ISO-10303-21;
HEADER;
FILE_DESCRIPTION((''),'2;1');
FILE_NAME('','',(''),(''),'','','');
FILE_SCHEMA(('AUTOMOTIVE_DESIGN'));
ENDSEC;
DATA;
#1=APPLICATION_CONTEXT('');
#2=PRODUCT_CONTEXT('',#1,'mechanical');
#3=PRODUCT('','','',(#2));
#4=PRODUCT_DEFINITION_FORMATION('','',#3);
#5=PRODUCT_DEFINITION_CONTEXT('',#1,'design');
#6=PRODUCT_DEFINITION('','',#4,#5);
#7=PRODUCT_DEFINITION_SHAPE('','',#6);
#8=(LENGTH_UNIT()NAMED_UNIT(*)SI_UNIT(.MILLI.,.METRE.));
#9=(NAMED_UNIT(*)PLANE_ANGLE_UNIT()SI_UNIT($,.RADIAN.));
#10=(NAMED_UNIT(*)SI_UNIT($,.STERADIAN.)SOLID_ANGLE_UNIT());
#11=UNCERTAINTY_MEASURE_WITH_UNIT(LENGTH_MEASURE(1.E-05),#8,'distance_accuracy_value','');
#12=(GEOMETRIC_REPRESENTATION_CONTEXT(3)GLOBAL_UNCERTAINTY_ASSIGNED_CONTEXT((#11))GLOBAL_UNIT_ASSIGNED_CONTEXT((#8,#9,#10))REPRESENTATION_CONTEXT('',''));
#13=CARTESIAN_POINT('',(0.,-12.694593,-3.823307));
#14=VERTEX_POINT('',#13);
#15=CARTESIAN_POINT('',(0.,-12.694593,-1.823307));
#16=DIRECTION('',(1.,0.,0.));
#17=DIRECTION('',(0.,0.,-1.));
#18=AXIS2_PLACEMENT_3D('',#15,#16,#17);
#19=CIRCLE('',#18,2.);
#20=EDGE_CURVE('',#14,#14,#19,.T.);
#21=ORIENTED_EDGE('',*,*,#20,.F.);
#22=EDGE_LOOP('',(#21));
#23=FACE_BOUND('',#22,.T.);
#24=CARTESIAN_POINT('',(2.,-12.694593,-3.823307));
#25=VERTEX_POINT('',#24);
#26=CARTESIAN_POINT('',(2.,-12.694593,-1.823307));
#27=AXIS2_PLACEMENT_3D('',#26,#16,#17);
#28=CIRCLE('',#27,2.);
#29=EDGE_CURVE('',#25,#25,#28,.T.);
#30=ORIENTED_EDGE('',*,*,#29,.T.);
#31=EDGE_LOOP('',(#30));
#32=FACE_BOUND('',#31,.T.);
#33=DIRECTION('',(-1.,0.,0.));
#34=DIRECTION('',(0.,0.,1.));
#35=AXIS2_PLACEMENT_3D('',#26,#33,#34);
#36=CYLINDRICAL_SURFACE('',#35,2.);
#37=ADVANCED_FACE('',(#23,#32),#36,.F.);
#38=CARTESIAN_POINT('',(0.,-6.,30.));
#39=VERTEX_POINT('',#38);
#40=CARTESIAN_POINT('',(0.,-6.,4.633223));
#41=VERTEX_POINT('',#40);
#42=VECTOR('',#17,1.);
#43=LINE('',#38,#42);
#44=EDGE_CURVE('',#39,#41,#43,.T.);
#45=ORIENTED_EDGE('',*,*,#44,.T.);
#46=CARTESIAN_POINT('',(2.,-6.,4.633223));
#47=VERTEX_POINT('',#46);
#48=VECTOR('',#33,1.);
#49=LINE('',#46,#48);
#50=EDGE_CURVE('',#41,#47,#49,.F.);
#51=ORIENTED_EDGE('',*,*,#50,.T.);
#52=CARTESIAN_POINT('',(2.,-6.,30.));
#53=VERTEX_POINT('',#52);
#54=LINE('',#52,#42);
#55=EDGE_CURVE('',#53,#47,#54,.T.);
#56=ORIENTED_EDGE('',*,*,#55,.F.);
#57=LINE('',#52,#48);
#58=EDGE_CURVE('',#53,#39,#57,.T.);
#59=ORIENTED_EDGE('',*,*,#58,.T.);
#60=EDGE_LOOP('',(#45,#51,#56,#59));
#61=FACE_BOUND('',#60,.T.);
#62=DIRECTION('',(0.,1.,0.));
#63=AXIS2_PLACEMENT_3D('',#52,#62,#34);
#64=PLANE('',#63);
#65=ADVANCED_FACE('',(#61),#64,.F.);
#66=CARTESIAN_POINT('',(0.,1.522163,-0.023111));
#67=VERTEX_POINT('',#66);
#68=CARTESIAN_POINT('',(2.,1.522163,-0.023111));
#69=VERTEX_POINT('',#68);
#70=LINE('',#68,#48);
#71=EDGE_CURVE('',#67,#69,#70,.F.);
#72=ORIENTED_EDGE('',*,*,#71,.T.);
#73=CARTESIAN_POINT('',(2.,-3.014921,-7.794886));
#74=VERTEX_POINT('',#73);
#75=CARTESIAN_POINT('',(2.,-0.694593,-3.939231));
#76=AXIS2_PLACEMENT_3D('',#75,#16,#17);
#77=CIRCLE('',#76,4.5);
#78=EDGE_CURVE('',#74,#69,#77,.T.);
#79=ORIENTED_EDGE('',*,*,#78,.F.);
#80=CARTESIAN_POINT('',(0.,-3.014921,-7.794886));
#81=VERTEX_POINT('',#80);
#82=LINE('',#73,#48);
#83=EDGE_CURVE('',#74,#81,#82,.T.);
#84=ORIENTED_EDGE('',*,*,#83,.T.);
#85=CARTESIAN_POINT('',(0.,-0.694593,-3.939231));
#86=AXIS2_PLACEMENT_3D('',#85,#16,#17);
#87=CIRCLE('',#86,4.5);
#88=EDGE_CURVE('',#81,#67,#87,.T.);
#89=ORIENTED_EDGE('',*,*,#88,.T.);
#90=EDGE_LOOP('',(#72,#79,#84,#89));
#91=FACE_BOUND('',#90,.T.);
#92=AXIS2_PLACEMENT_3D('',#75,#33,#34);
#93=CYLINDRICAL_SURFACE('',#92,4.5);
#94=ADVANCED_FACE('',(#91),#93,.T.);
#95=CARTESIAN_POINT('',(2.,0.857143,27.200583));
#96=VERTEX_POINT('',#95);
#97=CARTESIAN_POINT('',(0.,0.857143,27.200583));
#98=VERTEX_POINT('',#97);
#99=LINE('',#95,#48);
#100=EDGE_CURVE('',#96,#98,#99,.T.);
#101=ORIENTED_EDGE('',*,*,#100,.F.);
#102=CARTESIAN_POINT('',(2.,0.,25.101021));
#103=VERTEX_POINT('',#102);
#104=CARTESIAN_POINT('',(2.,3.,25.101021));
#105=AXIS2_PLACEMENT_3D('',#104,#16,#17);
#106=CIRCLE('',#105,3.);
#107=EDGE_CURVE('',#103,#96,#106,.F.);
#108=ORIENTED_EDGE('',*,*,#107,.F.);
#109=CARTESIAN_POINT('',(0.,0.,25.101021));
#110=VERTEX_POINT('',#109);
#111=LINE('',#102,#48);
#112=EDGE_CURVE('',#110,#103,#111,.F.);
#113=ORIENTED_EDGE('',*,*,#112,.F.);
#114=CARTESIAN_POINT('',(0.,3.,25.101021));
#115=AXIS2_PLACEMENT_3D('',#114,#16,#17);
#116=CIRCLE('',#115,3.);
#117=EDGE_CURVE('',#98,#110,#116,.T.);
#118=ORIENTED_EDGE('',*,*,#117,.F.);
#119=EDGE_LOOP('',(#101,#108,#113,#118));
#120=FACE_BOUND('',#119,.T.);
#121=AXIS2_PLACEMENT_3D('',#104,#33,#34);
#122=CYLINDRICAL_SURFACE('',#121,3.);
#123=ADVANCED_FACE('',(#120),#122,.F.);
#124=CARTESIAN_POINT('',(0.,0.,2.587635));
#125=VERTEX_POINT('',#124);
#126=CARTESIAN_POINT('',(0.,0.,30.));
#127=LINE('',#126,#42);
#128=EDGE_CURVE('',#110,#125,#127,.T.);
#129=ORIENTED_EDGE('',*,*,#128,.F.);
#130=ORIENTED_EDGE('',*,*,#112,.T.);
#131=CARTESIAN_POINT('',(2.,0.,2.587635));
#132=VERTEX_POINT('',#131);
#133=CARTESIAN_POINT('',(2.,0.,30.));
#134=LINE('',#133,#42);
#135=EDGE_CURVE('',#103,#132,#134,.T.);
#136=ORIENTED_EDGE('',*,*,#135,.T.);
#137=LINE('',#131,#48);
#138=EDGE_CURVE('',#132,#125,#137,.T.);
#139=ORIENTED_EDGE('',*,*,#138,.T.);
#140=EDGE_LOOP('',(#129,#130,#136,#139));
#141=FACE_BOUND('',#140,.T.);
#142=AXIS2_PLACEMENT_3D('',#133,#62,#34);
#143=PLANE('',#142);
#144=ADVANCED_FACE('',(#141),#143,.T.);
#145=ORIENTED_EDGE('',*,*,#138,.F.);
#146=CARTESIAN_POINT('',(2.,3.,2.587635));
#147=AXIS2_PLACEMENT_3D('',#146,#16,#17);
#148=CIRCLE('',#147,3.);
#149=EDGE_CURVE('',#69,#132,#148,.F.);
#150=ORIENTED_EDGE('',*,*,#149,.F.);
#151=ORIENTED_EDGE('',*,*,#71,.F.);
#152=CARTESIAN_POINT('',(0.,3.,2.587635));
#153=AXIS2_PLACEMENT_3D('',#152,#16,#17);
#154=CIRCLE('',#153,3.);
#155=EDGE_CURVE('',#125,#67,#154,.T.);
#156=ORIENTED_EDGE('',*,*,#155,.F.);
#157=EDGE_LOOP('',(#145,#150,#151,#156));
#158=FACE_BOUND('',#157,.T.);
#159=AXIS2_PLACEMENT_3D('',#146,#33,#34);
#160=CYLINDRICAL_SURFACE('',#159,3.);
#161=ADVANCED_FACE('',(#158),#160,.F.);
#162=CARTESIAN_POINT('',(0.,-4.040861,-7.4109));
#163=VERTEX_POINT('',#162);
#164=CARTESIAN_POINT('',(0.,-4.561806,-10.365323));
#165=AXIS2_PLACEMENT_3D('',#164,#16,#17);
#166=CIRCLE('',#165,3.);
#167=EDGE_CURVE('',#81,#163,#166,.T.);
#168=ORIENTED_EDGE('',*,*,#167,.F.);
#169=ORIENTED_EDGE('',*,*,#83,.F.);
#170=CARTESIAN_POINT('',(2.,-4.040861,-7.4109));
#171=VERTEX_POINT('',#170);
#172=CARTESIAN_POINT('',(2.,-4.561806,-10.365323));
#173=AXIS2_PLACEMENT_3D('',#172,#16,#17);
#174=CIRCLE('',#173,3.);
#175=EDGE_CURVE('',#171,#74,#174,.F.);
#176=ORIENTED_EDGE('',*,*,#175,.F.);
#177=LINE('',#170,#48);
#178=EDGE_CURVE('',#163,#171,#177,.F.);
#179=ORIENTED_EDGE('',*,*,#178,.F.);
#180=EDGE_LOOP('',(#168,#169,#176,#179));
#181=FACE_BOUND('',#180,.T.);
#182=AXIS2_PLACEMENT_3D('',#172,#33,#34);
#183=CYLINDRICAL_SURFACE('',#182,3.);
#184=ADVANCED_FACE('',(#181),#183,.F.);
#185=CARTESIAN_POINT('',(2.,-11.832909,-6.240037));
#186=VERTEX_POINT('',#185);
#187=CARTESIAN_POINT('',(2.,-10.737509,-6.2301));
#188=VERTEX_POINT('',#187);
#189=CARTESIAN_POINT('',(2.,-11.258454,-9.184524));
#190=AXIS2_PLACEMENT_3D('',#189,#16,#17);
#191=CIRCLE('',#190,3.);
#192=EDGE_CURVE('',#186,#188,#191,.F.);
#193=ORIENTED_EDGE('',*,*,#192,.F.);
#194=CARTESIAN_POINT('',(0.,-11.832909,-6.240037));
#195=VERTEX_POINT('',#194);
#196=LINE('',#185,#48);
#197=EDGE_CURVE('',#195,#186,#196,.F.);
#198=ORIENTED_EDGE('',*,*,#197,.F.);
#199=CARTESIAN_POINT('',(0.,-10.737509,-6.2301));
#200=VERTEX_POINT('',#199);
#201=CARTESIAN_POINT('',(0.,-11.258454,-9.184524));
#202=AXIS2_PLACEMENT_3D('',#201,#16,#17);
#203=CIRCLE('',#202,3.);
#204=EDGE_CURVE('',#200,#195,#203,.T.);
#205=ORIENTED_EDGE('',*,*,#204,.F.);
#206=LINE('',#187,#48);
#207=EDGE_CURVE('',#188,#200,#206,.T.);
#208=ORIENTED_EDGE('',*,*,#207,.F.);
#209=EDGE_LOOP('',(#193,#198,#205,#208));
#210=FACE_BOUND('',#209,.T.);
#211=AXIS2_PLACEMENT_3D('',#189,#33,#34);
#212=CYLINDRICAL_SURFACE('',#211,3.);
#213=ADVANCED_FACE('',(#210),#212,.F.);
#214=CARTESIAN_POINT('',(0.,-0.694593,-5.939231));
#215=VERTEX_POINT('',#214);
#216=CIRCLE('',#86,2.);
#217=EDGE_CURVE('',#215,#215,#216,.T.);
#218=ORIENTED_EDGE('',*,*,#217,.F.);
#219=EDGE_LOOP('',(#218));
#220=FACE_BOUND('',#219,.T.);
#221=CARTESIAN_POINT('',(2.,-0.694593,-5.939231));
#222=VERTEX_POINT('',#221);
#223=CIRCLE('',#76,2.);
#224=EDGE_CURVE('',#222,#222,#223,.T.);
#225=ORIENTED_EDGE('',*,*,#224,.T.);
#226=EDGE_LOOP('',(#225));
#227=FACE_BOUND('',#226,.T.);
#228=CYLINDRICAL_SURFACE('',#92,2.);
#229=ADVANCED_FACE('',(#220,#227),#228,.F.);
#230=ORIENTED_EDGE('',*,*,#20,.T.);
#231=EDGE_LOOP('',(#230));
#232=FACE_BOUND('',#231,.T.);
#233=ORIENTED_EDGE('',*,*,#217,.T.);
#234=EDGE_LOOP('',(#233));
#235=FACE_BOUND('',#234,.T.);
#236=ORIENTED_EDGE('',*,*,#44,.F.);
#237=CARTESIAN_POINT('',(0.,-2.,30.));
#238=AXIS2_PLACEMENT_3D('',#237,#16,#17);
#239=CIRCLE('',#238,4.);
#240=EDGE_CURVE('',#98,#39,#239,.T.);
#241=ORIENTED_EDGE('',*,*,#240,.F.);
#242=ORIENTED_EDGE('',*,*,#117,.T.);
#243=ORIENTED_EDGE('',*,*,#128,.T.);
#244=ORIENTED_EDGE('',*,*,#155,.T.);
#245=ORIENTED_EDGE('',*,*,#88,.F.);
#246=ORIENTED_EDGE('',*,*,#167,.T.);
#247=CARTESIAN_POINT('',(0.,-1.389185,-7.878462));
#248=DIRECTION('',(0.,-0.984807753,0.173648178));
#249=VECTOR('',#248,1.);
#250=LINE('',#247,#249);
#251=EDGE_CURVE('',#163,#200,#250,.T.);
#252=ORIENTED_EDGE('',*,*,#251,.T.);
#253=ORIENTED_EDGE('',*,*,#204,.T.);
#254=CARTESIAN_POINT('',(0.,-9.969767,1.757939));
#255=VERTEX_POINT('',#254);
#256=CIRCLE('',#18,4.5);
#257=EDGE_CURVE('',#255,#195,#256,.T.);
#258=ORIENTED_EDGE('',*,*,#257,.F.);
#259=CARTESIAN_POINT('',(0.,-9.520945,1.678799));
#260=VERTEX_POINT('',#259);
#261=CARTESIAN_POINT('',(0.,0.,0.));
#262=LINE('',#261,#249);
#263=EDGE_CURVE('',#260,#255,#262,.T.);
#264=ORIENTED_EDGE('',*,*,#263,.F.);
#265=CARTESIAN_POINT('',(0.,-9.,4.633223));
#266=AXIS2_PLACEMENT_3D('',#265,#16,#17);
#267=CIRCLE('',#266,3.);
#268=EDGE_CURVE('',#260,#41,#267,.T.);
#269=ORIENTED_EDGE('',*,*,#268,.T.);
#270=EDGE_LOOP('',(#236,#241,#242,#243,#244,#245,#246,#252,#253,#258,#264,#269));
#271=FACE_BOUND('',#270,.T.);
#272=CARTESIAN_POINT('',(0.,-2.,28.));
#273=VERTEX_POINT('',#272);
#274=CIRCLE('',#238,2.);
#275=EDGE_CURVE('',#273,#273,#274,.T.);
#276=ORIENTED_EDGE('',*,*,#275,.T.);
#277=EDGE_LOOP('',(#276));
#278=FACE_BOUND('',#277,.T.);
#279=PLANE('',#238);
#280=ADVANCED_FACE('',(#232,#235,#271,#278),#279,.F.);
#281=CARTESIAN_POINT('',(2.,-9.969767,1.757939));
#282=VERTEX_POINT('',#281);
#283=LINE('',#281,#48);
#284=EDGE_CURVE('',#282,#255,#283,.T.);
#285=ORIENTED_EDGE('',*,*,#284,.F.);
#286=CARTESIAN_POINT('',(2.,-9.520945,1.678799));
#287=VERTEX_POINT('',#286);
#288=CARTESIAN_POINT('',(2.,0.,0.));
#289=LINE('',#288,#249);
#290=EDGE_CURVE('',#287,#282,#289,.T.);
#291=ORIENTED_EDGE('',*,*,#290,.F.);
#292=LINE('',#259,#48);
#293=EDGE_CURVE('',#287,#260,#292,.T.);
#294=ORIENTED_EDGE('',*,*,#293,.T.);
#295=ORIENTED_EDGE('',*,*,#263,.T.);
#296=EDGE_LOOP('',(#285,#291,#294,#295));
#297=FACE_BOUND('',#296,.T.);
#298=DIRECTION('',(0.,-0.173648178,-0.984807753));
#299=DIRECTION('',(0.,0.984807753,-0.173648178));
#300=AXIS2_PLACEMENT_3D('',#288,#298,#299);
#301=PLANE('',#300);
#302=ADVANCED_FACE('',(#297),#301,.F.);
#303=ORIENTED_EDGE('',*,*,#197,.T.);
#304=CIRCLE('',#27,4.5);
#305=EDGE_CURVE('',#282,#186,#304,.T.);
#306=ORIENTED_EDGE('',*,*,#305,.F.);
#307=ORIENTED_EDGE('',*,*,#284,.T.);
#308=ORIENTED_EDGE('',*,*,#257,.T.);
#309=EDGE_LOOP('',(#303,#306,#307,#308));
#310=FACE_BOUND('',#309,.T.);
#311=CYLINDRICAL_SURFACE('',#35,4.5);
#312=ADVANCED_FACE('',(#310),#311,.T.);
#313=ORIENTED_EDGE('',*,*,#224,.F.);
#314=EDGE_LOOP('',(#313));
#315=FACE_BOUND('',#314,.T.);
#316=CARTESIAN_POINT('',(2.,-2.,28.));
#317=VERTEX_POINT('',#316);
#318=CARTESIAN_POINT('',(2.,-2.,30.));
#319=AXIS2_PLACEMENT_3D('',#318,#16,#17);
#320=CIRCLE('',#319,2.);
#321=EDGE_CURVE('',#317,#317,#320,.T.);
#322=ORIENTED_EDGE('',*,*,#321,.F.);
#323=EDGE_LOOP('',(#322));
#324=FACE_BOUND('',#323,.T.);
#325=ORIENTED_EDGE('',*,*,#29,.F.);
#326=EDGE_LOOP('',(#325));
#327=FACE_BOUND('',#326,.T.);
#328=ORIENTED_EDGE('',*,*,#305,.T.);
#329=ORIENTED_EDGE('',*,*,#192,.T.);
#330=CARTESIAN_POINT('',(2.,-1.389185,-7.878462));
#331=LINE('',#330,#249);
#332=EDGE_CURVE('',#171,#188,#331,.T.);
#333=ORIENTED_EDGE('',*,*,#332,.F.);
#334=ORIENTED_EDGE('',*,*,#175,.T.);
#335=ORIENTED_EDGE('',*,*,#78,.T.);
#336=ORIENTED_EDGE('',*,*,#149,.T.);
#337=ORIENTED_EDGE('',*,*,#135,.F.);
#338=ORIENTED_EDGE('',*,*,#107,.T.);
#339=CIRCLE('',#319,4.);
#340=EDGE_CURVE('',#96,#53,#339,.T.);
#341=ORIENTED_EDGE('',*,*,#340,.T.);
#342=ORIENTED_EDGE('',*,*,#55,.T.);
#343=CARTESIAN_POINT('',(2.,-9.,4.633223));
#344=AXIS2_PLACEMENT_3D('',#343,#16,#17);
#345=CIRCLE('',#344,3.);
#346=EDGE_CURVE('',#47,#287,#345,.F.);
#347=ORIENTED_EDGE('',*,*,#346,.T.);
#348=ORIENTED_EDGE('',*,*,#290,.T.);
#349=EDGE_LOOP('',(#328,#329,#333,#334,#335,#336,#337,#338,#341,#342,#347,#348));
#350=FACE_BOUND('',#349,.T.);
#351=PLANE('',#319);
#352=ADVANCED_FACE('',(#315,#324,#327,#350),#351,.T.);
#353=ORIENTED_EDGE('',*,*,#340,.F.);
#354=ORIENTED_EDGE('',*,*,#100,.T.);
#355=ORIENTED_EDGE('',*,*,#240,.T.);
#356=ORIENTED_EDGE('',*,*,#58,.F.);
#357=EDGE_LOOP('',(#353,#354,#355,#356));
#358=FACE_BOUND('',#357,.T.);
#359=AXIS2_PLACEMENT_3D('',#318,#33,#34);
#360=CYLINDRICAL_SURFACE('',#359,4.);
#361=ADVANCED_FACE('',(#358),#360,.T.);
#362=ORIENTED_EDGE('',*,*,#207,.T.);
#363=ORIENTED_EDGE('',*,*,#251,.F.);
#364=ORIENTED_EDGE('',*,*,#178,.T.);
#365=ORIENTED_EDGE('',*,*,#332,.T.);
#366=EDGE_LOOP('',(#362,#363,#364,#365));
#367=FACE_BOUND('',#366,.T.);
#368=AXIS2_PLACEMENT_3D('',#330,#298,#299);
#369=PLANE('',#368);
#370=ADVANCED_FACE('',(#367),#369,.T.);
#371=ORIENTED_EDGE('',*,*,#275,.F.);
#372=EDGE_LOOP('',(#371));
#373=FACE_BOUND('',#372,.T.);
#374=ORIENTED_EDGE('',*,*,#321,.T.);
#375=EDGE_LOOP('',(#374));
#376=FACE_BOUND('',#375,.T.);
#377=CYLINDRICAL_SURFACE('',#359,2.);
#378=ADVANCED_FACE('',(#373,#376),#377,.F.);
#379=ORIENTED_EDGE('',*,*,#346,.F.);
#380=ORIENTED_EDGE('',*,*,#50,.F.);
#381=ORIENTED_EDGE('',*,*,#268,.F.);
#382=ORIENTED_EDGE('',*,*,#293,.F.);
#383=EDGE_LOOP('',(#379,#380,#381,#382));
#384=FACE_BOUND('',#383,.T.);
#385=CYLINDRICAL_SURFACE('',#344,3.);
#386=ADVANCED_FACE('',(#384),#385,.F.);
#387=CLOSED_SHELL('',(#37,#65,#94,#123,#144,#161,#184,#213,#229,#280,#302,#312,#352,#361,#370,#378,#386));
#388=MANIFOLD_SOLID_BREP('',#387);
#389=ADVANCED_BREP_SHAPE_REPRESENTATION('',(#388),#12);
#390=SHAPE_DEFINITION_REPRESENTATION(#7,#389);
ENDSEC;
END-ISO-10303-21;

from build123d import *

# Parameters (mm, degrees)
EXTRUDE_1_DEPTH     = 2
SKETCH_1_3_R        = 2
CUT_EXTRUDE_1_DEPTH = 39.153034198
FILLET_1_R          = 3


with BuildPart() as part:
    # 草图1 → 凸台-拉伸1 (new body)
    with BuildSketch(Plane(origin=(0, 0, 0), x_dir=(0, 0, -1), z_dir=(1, 0, 0))):
        with BuildLine():
            Line((-30, -6), (-30, 0))
            Line((-30, 0), (-26.535898385, 0))
            ThreePointArc((-26.535898385, 0), (-33.464101615, 0), (-30, -6))
        make_face()
        with BuildLine():
            Line((-26.535898385, 0), (-30, 0))
            Line((-30, 0), (-30, -6))
            ThreePointArc((-30, -6), (-27.171572875, -4.828427125), (-26, -2))
            ThreePointArc((-26, -2), (-26.136296695, -0.96472382), (-26.535898385, 0))
        make_face()
        with BuildLine():
            Line((-0.506839272, 0), (-26.535898385, 0))
            ThreePointArc((-26.535898385, 0), (-26.136296695, -0.96472382), (-26, -2))
            ThreePointArc((-26, -2), (-27.171572875, -4.828427125), (-30, -6))
            Line((-30, -6), (-1.057961884, -6))
            Line((-1.057961884, -6), (-0.357984889, -2.030233193))
            ThreePointArc((-0.357984889, -2.030233193), (-0.548722311, -1.02364433), (-0.506839272, 0))
        make_face()
        with BuildLine():
            ThreePointArc((8.439231012, -0.694592711), (4.2875726, 3.791904602), (-0.506839272, 0))
            Line((-0.506839272, 0), (0, 0))
            Line((0, 0), (7.878462024, -1.389185421))
            Line((7.878462024, -1.389185421), (7.520477135, -3.419418615))
            ThreePointArc((7.520477135, -3.419418615), (8.203360909, -2.132367458), (8.439231012, -0.694592711))
        make_face()
        with BuildLine():
            Line((0, 0), (-0.506839272, 0))
            ThreePointArc((-0.506839272, 0), (-0.548722311, -1.02364433), (-0.357984889, -2.030233193))
            Line((-0.357984889, -2.030233193), (0, 0))
        make_face()
        with BuildLine():
            Line((-0.357984889, -2.030233193), (-1.057961884, -6))
            Line((-1.057961884, -6), (0, -6))
            Line((0, -6), (0, -2.870014287))
            ThreePointArc((0, -2.870014287), (-0.200342941, -2.459225106), (-0.357984889, -2.030233193))
        make_face()
        with BuildLine():
            Line((0, -6), (-1.057961884, -6))
            Line((-1.057961884, -6), (-1.757938879, -9.969766807))
            ThreePointArc((-1.757938879, -9.969766807), (2.604724043, -8.262957822), (6.120523145, -11.358952228))
            Line((6.120523145, -11.358952228), (7.520477135, -3.419418615))
            ThreePointArc((7.520477135, -3.419418615), (3.611359735, -5.182632419), (0, -2.870014287))
            Line((0, -2.870014287), (0, -6))
        make_face()
        with BuildLine():
            Line((7.878462024, -1.389185421), (0, 0))
            Line((0, 0), (0, -2.870014287))
            ThreePointArc((0, -2.870014287), (3.611359735, -5.182632419), (7.520477135, -3.419418615))
            Line((7.520477135, -3.419418615), (7.878462024, -1.389185421))
        make_face()
        with BuildLine():
            Line((0, -2.870014287), (0, 0))
            Line((0, 0), (-0.357984889, -2.030233193))
            ThreePointArc((-0.357984889, -2.030233193), (-0.200342941, -2.459225106), (0, -2.870014287))
        make_face()
        with BuildLine():
            ThreePointArc((6.120523145, -11.358952228), (2.604724043, -8.262957822), (-1.757938879, -9.969766807))
            Line((-1.757938879, -9.969766807), (-2.115923769, -12))
            Line((-2.115923769, -12), (5.762538256, -13.389185421))
            Line((5.762538256, -13.389185421), (6.120523145, -11.358952228))
        make_face()
        with BuildLine():
            Line((-2.115923769, -12), (-1.757938879, -9.969766807))
            ThreePointArc((-1.757938879, -9.969766807), (0.385532496, -16.958722607), (6.323307244, -12.694592711))
            ThreePointArc((6.323307244, -12.694592711), (6.27232239, -12.019119379), (6.120523145, -11.358952228))
            Line((6.120523145, -11.358952228), (5.762538256, -13.389185421))
            Line((5.762538256, -13.389185421), (-2.115923769, -12))
        make_face()
    extrude(amount=EXTRUDE_1_DEPTH)

    # 草图1<3> → 切除-拉伸1 (cut, through all)
    with BuildSketch(Plane(origin=(0, 0, 0), x_dir=(0, 0, -1), z_dir=(1, 0, 0))):
        with Locations((-30, -2)):
            Circle(SKETCH_1_3_R)
        with Locations((3.939231012, -0.694592711)):
            Circle(SKETCH_1_3_R)
        with Locations((1.823307244, -12.694592711)):
            Circle(SKETCH_1_3_R)
    extrude(amount=CUT_EXTRUDE_1_DEPTH, mode=Mode.SUBTRACT)

    # 圆角1
    fillet_1_edges = [part.edges().sort_by_distance(p)[0] for p in [
        (1, -6, 1.057961884),
        (1, 0, 0.506839272),
        (1, -3.419418615, -7.520477135),
        (1, -11.358952228, -6.120523145),
        (1, 0, 26.535898385),
    ]]
    fillet(fillet_1_edges, radius=FILLET_1_R)


solid = part.part
